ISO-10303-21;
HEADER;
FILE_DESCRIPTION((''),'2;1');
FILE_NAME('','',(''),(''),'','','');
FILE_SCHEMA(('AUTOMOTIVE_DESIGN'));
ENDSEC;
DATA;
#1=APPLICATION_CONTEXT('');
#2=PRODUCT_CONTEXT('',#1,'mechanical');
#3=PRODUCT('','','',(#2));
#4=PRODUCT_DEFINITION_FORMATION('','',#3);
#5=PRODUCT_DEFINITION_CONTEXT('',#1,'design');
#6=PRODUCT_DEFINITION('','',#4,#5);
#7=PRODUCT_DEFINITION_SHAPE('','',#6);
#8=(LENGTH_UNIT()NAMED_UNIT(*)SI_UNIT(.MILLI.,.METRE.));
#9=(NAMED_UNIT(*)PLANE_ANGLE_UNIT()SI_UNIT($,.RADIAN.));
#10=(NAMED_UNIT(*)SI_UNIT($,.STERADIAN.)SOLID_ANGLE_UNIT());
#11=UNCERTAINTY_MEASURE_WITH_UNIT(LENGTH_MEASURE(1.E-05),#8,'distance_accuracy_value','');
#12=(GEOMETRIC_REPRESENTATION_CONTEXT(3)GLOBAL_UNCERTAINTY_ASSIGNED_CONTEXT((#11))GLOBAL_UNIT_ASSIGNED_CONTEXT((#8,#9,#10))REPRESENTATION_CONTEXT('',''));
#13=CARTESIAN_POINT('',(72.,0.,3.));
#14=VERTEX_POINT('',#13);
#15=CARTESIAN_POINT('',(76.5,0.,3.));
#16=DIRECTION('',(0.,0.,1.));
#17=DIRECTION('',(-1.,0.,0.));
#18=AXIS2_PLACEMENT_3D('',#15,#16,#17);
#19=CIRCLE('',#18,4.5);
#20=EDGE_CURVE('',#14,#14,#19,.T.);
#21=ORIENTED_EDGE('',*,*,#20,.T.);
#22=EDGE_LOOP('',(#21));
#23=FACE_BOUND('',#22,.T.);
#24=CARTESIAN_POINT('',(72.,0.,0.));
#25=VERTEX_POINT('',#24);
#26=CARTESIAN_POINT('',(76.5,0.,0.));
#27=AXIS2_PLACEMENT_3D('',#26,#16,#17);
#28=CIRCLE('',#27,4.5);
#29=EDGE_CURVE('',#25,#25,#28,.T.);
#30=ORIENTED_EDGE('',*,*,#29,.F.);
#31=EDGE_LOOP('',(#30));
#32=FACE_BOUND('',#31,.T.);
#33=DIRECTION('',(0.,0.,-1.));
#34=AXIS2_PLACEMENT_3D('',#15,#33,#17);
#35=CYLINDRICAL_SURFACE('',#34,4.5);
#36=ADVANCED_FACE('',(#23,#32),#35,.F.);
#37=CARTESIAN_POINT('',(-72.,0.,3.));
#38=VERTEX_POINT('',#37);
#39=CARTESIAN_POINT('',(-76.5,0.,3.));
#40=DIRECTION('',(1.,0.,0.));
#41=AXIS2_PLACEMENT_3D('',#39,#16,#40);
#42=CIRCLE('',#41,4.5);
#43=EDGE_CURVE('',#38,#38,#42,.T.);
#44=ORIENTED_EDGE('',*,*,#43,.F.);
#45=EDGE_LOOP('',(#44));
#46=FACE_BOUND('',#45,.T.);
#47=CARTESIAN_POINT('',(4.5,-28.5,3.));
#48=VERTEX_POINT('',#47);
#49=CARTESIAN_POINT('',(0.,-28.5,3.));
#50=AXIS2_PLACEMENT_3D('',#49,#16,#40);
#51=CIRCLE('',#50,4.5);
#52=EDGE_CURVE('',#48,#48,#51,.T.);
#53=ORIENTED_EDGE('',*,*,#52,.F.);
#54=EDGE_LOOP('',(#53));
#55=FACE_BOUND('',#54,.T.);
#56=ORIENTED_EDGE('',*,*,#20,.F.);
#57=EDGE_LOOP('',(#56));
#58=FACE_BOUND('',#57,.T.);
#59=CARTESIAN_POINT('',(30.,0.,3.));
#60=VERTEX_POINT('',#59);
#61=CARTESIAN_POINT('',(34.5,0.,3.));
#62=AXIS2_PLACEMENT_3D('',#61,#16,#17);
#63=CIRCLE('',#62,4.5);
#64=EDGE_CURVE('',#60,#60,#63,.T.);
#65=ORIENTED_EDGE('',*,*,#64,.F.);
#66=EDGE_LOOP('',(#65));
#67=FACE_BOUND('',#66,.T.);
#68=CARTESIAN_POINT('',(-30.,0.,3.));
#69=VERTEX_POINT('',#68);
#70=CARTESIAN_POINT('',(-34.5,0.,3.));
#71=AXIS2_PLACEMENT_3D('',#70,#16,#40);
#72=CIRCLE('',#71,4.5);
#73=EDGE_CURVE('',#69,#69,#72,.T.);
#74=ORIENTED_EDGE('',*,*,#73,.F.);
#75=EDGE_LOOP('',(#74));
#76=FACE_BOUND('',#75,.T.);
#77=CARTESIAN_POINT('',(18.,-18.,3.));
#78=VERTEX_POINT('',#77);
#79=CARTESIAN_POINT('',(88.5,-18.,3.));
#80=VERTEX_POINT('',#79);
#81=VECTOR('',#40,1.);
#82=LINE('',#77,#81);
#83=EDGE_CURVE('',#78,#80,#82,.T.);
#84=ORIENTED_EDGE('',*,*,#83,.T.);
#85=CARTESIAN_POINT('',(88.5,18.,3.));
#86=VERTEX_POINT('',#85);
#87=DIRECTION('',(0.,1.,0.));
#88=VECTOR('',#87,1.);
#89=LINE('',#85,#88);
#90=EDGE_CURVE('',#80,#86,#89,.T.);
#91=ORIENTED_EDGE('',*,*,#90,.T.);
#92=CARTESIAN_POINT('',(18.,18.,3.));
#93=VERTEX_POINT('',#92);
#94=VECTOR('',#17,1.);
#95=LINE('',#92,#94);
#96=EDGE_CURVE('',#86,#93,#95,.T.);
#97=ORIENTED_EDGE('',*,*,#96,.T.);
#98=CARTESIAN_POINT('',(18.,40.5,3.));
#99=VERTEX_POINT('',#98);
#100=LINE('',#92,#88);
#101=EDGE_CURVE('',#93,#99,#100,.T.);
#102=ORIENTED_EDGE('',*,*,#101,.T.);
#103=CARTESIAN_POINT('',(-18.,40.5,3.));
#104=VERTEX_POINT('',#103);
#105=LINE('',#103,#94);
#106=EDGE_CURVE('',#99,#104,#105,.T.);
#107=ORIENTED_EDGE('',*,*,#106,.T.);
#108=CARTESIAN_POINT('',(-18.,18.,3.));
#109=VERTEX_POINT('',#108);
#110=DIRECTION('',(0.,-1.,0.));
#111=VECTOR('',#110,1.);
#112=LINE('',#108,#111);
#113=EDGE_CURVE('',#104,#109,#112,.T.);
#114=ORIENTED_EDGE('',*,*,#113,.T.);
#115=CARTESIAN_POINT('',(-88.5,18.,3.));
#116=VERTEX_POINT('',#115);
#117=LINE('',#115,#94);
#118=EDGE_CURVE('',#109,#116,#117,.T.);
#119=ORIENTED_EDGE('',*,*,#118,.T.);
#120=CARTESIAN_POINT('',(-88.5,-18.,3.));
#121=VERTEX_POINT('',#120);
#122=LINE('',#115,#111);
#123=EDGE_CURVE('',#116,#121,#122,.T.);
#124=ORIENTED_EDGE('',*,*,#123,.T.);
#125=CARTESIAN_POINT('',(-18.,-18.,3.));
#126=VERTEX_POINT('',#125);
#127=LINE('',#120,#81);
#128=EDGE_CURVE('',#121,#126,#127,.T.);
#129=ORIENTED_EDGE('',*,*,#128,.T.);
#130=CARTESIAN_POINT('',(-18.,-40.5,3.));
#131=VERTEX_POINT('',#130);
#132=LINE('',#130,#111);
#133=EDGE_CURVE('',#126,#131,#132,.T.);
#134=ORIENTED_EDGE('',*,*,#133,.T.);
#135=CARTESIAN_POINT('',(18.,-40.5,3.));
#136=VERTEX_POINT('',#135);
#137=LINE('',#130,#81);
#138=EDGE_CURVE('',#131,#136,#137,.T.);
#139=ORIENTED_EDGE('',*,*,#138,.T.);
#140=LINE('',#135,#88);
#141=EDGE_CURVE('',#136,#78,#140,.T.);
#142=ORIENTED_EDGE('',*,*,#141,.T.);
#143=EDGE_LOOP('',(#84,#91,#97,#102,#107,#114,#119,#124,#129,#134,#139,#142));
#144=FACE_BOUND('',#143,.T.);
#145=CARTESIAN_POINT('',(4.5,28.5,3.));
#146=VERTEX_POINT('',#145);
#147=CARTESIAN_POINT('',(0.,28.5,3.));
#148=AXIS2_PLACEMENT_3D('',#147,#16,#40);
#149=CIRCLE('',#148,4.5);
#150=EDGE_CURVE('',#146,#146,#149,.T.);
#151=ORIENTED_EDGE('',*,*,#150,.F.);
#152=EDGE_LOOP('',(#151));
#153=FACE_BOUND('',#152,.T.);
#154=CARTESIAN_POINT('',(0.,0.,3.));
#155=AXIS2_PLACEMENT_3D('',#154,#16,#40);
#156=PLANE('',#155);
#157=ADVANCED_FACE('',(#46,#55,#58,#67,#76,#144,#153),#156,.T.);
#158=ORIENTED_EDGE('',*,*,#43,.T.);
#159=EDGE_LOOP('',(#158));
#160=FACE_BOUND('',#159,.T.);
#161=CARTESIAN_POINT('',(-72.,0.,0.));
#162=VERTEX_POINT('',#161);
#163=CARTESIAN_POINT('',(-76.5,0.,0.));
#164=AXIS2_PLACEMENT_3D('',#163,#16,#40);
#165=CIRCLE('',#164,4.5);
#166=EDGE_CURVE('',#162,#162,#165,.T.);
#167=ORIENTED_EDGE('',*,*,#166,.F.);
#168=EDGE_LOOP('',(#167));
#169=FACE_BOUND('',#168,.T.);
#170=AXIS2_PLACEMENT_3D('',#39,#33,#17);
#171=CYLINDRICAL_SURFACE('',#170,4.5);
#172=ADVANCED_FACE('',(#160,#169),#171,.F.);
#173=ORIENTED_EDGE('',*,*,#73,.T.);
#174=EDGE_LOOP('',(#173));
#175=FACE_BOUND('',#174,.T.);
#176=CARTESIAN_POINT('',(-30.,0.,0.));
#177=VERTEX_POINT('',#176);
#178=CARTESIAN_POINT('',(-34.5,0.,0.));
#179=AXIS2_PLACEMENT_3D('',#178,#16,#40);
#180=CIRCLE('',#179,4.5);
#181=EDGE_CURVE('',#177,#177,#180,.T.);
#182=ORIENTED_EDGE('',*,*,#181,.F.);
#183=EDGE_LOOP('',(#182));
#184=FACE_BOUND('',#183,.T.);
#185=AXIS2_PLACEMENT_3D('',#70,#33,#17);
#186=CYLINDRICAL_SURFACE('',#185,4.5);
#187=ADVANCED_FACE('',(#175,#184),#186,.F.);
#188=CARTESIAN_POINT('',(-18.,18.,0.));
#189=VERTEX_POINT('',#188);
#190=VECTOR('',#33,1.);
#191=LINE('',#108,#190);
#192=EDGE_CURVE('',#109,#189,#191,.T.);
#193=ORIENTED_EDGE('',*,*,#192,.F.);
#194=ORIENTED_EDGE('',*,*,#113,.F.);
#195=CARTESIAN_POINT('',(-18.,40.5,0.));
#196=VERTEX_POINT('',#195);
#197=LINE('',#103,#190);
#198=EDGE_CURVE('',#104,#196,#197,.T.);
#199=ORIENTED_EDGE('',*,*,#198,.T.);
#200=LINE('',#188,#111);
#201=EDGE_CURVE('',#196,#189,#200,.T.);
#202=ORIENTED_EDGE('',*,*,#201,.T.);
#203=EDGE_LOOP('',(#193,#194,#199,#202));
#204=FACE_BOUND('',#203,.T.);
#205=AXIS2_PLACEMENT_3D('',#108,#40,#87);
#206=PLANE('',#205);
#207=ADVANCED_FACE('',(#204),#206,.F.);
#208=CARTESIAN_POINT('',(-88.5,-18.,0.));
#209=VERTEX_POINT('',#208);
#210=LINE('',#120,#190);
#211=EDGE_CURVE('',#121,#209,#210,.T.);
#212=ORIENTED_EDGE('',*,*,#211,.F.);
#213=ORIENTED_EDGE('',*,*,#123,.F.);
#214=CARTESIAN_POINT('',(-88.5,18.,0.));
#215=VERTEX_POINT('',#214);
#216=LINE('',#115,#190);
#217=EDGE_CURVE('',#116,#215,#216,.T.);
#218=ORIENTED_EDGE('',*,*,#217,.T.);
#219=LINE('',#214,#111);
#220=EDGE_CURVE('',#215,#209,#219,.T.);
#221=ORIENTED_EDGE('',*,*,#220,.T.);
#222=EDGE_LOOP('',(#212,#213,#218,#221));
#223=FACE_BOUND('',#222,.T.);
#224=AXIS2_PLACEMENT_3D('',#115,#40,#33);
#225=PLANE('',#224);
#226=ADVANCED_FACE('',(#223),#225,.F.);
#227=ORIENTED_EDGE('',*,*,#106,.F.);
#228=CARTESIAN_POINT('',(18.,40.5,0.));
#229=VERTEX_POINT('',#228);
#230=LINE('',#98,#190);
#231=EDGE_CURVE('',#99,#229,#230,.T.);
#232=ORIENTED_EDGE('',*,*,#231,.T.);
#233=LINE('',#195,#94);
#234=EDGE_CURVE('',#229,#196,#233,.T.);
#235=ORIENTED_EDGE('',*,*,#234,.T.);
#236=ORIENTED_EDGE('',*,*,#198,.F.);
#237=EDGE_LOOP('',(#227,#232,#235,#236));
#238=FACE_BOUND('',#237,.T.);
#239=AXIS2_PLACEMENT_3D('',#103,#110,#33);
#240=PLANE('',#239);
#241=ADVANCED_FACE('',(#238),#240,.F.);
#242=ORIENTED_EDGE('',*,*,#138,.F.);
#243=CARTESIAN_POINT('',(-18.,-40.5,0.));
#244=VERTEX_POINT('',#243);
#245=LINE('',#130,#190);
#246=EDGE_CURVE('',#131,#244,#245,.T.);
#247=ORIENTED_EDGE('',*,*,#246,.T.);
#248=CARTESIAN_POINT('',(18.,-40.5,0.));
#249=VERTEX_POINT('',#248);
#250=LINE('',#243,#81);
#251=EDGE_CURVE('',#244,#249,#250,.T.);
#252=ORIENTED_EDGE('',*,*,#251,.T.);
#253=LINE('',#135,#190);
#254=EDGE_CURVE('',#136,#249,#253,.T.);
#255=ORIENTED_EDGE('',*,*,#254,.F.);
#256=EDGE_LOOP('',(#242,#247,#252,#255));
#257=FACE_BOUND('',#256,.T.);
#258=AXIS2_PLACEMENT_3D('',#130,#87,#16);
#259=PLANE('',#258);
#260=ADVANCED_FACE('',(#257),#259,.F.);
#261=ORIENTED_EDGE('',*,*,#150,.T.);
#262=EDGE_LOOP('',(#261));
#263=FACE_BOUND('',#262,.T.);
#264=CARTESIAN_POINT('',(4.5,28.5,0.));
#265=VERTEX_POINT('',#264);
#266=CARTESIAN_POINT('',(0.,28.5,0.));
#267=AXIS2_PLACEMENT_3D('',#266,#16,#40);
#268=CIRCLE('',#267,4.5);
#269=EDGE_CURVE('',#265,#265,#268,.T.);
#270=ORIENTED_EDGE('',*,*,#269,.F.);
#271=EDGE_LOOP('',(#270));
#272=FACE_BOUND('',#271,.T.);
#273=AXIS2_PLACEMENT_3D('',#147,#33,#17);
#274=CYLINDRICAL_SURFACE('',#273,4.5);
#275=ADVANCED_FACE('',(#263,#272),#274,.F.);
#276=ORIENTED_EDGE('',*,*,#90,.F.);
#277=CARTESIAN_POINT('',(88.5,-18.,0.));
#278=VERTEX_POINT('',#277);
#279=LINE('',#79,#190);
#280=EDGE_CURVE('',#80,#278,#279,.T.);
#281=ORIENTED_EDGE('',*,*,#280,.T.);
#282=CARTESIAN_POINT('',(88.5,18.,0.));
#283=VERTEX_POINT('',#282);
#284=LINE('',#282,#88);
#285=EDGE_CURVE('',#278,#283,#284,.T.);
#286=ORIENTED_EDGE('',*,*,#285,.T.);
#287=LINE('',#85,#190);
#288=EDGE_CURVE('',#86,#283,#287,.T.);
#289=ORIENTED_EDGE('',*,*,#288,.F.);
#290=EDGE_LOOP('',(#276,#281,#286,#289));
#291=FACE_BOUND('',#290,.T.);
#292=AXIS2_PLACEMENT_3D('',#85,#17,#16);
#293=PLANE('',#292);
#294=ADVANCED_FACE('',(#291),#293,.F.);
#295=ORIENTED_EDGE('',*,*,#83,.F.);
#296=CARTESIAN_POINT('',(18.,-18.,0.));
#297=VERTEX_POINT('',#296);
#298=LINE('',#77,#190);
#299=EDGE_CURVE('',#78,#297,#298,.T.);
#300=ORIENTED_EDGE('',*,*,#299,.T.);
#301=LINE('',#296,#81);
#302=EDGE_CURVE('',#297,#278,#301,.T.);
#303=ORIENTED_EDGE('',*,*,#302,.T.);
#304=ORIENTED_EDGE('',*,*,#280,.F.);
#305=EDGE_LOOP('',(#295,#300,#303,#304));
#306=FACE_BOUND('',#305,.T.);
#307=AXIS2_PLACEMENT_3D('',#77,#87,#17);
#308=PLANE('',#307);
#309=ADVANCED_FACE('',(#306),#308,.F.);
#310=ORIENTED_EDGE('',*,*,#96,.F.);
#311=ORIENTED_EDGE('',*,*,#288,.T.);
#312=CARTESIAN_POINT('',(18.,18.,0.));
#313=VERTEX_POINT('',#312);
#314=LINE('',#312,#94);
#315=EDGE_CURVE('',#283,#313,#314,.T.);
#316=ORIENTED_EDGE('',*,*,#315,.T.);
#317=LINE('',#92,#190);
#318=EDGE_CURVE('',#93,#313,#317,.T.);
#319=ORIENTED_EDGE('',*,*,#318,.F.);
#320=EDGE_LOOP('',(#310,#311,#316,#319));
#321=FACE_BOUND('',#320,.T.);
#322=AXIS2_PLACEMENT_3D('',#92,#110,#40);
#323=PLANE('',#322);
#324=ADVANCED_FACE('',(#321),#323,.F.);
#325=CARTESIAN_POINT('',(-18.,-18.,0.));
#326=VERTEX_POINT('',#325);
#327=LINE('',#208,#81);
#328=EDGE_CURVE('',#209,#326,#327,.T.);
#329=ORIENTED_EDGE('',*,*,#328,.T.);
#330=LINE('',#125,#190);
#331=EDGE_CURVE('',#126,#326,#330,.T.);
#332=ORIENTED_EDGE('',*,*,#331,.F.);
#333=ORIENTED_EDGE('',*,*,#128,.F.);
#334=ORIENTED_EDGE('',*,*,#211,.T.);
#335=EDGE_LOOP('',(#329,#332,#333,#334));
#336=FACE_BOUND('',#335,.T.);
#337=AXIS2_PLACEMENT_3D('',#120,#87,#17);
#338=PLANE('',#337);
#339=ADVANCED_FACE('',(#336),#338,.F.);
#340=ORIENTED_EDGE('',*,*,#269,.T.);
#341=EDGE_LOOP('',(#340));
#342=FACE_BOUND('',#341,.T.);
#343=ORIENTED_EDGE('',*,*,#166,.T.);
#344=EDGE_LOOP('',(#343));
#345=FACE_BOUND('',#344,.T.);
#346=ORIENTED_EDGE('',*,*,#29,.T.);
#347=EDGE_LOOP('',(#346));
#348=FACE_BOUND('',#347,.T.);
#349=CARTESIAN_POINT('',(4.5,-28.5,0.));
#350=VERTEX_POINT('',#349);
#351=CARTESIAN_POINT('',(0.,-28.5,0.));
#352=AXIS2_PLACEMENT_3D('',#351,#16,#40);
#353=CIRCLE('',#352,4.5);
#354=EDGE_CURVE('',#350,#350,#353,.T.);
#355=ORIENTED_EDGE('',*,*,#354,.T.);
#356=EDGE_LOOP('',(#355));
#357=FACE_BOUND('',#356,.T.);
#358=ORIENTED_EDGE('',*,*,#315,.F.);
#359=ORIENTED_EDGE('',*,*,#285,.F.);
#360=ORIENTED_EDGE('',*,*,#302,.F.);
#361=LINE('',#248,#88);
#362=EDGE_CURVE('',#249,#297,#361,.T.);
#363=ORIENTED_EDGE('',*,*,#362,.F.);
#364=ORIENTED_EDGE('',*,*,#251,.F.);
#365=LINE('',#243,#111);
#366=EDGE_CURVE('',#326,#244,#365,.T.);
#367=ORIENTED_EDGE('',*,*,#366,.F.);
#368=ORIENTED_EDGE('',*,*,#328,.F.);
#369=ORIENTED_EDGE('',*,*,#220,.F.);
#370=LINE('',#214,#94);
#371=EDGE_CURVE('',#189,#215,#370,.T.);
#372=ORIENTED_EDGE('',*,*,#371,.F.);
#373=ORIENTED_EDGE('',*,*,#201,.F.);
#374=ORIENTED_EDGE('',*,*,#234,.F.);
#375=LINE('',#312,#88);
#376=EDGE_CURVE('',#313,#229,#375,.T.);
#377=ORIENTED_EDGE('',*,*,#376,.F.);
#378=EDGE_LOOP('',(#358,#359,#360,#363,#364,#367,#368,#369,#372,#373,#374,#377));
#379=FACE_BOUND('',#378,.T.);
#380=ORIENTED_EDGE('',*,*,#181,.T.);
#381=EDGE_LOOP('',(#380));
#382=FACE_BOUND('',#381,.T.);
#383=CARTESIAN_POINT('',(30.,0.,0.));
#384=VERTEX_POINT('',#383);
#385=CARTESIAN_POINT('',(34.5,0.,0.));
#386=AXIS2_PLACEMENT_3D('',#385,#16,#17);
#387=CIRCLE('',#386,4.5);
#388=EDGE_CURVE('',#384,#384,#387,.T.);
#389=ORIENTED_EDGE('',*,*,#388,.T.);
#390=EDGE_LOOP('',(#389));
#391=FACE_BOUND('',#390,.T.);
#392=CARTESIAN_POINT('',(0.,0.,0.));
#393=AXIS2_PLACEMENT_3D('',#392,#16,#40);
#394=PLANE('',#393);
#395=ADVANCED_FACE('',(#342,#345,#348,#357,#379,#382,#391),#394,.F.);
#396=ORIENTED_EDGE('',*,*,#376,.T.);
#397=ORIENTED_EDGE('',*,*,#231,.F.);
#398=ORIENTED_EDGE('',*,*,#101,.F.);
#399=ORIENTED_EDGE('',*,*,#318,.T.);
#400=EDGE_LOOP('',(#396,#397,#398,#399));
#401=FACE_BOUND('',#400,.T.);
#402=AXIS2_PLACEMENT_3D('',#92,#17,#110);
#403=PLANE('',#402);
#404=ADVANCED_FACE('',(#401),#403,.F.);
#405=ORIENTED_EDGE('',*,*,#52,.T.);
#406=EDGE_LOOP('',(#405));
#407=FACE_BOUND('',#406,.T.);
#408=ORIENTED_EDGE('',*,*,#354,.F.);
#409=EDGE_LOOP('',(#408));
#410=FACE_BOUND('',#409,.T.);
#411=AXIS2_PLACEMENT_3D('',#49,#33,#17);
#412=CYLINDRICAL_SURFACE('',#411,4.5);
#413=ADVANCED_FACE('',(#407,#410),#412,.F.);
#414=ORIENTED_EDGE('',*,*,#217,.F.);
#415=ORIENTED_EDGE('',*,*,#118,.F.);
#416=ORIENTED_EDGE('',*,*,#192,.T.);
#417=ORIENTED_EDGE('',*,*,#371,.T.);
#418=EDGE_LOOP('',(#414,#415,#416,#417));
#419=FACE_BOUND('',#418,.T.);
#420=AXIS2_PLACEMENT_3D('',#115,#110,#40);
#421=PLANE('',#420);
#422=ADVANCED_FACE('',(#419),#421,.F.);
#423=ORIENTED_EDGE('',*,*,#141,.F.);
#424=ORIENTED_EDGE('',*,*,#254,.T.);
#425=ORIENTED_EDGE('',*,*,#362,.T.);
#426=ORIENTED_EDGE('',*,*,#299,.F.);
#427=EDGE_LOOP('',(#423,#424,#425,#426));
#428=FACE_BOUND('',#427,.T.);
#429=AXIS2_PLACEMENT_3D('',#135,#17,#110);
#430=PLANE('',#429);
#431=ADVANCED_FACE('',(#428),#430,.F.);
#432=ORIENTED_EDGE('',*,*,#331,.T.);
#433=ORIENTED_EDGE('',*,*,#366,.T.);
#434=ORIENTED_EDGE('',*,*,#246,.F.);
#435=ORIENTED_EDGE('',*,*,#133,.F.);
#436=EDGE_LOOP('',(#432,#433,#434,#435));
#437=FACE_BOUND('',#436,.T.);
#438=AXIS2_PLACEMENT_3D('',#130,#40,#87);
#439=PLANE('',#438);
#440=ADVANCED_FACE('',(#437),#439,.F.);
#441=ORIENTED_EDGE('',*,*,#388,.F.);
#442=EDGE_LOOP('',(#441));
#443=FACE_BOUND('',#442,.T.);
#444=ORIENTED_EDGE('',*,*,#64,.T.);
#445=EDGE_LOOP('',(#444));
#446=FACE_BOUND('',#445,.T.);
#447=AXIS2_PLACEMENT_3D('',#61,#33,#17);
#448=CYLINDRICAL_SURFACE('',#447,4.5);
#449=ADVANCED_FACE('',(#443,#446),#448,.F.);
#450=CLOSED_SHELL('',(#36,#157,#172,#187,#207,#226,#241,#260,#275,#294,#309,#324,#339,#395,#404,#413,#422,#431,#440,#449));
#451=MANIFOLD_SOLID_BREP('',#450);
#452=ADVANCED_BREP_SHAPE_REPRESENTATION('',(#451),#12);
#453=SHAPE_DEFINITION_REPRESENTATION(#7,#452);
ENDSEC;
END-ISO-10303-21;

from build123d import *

# Parameters (mm, degrees)
SKETCH_1_R      = 4.5
EXTRUDE_1_DEPTH = 3


with BuildPart() as part:
    # Эскиз1 → Бобышка-Вытянуть1 (new body)
    with BuildSketch(Plane.XY):
        Polygon((18, -18), (88.5, -18), (88.5, 18), (18, 18), (18, 40.5), (-18, 40.5), (-18, 18), (-88.5, 18), (-88.5, -18), (-18, -18), (-18, -40.5), (18, -40.5), align=None)
        with Locations((0, 28.5)):
            Circle(SKETCH_1_R, mode=Mode.SUBTRACT)
        with Locations((0, -28.5)):
            Circle(SKETCH_1_R, mode=Mode.SUBTRACT)
        with Locations((-76.5, 0)):
            Circle(SKETCH_1_R, mode=Mode.SUBTRACT)
        with Locations((-34.5, 0)):
            Circle(SKETCH_1_R, mode=Mode.SUBTRACT)
        with Locations(Location((34.5, 0, 0), (0, 0, 180))):  # turned: the seam where the file's is
            Circle(SKETCH_1_R, mode=Mode.SUBTRACT)
        with Locations(Location((76.5, 0, 0), (0, 0, 180))):  # turned: the seam where the file's is
            Circle(SKETCH_1_R, mode=Mode.SUBTRACT)
    extrude(amount=EXTRUDE_1_DEPTH)


solid = part.part
